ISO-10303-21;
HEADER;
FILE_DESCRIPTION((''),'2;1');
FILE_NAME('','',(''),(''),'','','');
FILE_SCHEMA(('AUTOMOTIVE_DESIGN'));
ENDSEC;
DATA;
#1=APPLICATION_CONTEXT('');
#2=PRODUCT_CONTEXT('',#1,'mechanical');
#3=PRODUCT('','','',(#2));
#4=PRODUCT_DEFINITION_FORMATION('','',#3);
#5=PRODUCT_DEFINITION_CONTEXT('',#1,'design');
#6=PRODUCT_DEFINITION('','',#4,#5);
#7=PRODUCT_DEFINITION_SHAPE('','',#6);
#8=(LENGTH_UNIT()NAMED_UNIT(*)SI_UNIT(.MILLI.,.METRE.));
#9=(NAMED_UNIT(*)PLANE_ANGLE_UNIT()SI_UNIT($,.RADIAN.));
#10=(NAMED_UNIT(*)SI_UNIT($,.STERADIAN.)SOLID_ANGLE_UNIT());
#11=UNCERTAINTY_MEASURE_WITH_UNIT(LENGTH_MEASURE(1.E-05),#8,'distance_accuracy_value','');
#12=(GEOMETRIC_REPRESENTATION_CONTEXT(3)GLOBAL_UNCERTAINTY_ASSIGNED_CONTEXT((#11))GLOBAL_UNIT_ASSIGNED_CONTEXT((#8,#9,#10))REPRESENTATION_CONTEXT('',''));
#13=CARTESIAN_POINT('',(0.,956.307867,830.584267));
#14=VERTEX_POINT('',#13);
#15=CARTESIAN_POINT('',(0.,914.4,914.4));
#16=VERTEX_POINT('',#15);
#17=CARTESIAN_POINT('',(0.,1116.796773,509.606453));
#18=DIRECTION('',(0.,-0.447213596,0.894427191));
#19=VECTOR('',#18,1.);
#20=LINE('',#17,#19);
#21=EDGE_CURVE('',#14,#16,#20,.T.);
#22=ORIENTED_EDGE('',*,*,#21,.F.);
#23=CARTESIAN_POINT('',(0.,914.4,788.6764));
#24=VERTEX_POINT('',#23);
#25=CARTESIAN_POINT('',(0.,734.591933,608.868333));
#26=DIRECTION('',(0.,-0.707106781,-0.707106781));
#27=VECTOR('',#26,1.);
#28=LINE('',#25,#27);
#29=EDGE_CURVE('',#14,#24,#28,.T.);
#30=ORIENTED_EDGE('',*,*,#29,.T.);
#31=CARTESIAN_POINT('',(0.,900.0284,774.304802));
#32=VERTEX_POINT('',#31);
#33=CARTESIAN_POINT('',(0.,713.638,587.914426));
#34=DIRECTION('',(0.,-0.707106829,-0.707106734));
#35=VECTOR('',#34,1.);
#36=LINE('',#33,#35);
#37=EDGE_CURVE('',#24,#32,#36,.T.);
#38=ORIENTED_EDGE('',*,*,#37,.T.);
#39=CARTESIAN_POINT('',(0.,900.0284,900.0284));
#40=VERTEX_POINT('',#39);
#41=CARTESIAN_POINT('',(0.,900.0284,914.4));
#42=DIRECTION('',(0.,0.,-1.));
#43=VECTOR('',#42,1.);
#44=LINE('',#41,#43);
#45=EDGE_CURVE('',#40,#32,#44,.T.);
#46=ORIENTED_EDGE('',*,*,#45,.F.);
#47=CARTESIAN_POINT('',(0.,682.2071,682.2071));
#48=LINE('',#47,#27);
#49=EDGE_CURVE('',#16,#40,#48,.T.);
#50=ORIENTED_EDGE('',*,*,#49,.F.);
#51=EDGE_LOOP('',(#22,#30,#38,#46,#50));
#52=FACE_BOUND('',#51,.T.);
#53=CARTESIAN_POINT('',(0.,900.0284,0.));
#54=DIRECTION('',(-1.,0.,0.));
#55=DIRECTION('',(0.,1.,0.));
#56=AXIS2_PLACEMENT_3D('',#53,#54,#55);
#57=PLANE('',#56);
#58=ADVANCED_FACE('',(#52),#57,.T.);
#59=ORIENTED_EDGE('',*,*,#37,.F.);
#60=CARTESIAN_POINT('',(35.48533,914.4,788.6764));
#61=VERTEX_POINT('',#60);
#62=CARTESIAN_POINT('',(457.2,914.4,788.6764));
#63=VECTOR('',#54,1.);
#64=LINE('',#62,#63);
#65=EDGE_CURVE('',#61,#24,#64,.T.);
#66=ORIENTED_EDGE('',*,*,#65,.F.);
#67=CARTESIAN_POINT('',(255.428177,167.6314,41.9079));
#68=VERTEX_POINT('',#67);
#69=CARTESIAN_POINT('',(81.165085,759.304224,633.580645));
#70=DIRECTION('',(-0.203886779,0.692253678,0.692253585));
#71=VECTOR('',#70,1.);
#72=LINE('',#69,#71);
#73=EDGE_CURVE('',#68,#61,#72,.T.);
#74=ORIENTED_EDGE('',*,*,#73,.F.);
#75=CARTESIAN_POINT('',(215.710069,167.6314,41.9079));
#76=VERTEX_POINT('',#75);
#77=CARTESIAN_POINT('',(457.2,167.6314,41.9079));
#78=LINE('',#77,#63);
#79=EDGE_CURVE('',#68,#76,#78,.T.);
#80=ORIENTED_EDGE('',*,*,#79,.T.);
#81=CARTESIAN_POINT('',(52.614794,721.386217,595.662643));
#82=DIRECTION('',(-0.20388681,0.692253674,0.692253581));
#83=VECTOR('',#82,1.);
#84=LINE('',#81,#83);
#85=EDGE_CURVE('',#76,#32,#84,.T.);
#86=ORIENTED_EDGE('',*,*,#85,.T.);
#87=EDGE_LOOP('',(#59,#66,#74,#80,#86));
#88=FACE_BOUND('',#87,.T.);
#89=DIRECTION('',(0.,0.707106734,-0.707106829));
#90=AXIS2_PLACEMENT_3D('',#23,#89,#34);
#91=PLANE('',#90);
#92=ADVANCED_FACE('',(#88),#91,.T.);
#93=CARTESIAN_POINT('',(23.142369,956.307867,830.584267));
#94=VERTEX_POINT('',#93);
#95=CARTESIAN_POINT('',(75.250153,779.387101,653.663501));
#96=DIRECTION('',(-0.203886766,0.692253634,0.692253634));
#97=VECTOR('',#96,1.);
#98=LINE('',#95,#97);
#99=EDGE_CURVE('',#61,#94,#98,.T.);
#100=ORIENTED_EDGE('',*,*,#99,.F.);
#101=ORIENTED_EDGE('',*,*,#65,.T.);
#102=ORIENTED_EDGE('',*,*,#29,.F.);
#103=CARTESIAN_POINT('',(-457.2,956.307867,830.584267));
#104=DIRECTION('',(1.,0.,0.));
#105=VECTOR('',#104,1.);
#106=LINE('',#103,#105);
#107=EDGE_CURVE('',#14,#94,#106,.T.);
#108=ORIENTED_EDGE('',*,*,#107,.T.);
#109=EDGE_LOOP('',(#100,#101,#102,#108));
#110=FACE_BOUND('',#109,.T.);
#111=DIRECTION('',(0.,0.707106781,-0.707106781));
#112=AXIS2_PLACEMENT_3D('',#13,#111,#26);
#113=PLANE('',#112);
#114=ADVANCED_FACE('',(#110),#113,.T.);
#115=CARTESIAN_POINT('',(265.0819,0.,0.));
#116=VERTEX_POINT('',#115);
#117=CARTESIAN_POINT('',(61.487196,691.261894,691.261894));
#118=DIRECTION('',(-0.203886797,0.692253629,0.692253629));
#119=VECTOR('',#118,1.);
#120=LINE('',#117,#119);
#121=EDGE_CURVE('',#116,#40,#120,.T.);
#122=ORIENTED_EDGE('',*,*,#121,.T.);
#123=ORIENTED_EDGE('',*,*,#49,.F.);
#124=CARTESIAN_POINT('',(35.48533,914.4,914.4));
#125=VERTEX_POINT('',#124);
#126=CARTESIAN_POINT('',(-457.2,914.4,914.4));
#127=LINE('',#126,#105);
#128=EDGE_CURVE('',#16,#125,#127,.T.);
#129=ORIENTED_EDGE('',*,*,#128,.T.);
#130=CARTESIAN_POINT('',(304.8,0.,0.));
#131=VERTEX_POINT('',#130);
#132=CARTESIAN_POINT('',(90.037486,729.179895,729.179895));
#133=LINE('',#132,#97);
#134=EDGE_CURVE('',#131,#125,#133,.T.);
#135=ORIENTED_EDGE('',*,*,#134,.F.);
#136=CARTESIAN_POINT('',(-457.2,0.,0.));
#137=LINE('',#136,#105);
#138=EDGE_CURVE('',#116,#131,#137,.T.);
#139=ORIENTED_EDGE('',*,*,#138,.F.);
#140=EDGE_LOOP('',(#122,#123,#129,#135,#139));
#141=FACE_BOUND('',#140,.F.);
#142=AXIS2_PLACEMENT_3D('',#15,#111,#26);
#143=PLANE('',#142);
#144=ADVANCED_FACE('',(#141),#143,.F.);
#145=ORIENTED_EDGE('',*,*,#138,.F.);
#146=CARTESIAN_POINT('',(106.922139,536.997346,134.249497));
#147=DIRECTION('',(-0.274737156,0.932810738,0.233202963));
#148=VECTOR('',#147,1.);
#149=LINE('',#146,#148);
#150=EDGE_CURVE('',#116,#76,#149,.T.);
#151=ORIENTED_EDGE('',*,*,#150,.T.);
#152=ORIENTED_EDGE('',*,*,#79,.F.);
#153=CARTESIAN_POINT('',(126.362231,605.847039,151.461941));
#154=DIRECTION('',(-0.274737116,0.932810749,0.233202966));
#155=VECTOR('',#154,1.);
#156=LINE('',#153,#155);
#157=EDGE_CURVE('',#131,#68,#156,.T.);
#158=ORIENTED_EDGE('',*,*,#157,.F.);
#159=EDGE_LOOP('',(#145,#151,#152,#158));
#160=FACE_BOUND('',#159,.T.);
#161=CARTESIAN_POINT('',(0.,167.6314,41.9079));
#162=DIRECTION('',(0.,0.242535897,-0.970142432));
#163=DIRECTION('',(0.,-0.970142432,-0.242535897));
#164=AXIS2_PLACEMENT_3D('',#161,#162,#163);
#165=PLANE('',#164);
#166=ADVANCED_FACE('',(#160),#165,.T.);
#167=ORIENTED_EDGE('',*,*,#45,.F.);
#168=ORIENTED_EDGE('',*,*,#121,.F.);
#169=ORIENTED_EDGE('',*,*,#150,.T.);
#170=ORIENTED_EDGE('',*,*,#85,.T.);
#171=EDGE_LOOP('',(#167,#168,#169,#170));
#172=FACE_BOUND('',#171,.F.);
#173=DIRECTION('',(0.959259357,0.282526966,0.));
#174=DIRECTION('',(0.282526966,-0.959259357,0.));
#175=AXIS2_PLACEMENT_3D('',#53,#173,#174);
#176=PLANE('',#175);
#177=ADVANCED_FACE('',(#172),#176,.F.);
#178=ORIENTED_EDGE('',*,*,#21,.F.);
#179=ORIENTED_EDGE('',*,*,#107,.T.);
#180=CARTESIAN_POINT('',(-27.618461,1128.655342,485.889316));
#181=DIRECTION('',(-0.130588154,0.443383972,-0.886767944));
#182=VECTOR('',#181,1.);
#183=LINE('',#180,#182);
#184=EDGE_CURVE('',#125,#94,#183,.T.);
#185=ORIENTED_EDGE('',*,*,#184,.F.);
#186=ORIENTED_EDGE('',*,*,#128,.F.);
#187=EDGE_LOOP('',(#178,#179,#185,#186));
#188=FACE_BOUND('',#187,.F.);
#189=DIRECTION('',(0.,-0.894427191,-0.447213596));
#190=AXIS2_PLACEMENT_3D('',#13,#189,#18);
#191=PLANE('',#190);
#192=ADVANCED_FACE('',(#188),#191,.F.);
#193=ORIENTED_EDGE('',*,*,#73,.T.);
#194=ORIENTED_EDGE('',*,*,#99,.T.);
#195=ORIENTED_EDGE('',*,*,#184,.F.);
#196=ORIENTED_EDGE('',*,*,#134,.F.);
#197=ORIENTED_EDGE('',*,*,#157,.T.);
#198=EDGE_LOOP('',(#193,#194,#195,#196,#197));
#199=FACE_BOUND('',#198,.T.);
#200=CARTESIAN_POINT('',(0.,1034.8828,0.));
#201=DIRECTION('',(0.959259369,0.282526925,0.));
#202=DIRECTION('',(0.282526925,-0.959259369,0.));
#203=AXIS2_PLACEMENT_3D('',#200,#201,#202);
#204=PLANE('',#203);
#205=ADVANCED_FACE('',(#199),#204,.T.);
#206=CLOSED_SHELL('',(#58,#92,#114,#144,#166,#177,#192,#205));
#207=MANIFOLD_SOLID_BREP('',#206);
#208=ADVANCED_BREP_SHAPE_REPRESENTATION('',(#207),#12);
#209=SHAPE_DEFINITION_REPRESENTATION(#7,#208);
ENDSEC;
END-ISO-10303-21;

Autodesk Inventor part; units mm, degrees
ref_plane "YZ Plane" through (0, 0, 0) normal (1, 0, 0) x (0, 1, 0)
ref_plane "XZ Plane" through (0, 0, 0) normal (0, 1, 0) x (-1, 0, 0)
ref_plane "XY Plane" through (0, 0, 0) normal (0, 0, 1) x (1, 0, 0)
sketch "Sketch1" plane through (0, 0, 0) normal (0, 0, 1) x (1, 0, 0)
  line L0 (0, 0) -> (304.8, 0)
  line L1 (0, 0) -> (0, 914.4)
  line L2 (0, 914.4) -> (0, 1066.8)
  line L3 (0, 1066.8) -> (457.2, 1066.8)
  line L4 (457.2, 1066.8) -> (457.2, 0)
  line L5 (457.2, 0) -> (304.8, 0)
  line L6 (0, 1034.8828) -> (-36.5478, 1024.1185)
  line L7 (0, 1034.8828) -> (304.8, 0)
  line L8 (304.8, 0) -> (268.2522, -10.7643)
  line L9 (-36.5478, 1024.1185) -> (0, 900.0284)
  line L10 (265.0819, 0) -> (268.2522, -10.7643)
  line L11 (0, 900.0284) -> (265.0819, 0)
  point P0 (344.9609, 0)
  dimension "d34" = 304.8
  dimension "d35" = 914.4
  dimension "d38" = 152.4
  dimension "d39" = 457.2
  dimension "d40" = 1066.8
  dimension "d45" = 38.1
  dimension "d49" = 38.1
sketch "Sketch2" plane through (0, 0, 0) normal (1, 0, 0) x (0, 1, 0)
  line L0 (0, 0) -> (0, 914.4)
  line L1 (0, 914.4) -> (914.4, 914.4)
  line L2 (914.4, 914.4) -> (914.4, 0)
  line L3 (914.4, 914.4) -> (0, 0)
  line L4 (914.4, 914.4) -> (977.2618, 851.5382)
  line L5 (0, 0) -> (62.8618, -62.8618)
  line L6 (977.2618, 851.5382) -> (914.4, 788.6764)
  line L7 (914.4, 0) -> (366.5441, 0)
  line L8 (914.4, 0) -> (1219.2, 0)
  line L9 (0, 0) -> (0, -609.6)
  line L10 (914.4, 0) -> (914.4, 304.8)
  line L11 (914.4, 304.8) -> (1219.2, 304.8)
  line L12 (1219.2, 304.8) -> (1219.2, 0)
  line L13 (1219.2, 304.8) -> (914.4, 914.4)
  line L14 (1219.2, 304.8) -> (914.4, 228.6)
  line L15 (167.6314, 41.9079) -> (0, 0)
  line L16 (167.6314, 41.9079) -> (125.7236, 0)
  line L17 (1219.2, 304.8) -> (1240.7614, 218.5543)
  line L18 (0, 0) -> (21.5614, -86.2457)
  line L19 (21.5614, -86.2457) -> (366.5441, 0)
  line L20 (366.5441, 0) -> (914.4, 136.964)
  line L21 (914.4, 136.964) -> (1240.7614, 218.5543)
  line L22 (914.4, 228.6) -> (167.6314, 41.9079)
  line L23 (366.5441, 0) -> (125.7236, 0)
  line L24 (125.7236, 0) -> (62.8618, -62.8618)
  line L25 (125.7236, 0) -> (0, 0)
  line L26 (914.4, 788.6764) -> (167.6314, 41.9079)
  line L27 (1219.2, 304.8) -> (1219.2, 914.4)
  line L28 (1219.2, 914.4) -> (914.4, 914.4)
  line L29 (21.5614, -86.2457) -> (0, -91.636)
  line L30 (0, -609.6) -> (0, -914.4)
  line L31 (0, -914.4) -> (1219.2, -914.4)
  line L32 (1219.2, -914.4) -> (1219.2, 0)
  line L33 (0, -91.636) -> (-21.5614, -5.3904)
  line L34 (0, 0) -> (-21.5614, -5.3904)
  line L35 (977.2618, 851.5382) -> (977.2618, 304.8)
  line L36 (0, -914.4) -> (-152.4, -914.4)
  line L37 (-152.4, -914.4) -> (-152.4, 914.4)
  line L38 (-152.4, 914.4) -> (0, 914.4)
  point P0 (125.7236, 0)
  point P1 (1219.2, 213.164)
  point P2 (956.3079, 830.5843)
  dimension "d5" = 914.4
  dimension "d6" = 914.4
  dimension "d7" = 914.4
  dimension "d8" = 88.9
  dimension "d9" = 88.9
  dimension "d14" = 304.8
  dimension "d15" = 609.6
  dimension "d16" = 304.8
  dimension "d17" = 304.8
  dimension "d18" = 88.9
  dimension "d24" = 304.8
  dimension "d25" = 1219.2
  dimension "d30" = 88.9
  dimension "d47" = 152.4
  dimension "d48" = 1828.8
extrude "Extrusion7" add sketch "Sketch1" along normal mid plane 1828.8 contours L11 L1 L2 L7 L0
extrude "Extrusion8" cut sketch "Sketch2" along normal mid plane 914.4 contours L0 L1 L3 | L25 L24 L5 | L18 L29 L9 | L5 L24 L23 L19 L18 | L15 L16 L25 | L28 L27 L13 L35 L4 | L4 L6 L13 | L29 L19 L7 L8 L32 L31 L30 L9 | L22 L2 L20 L23 L16 | L26 L2 L22 | L6 L13 L35 L11 L2 | L35 L13 L6 | L14 L12 L21 L2 | L2 L11 L14 | L20 L2 L7 | L13 L11 L35 | L21 L12 L8 L2
properties part number "SS_2x4x51.684"
